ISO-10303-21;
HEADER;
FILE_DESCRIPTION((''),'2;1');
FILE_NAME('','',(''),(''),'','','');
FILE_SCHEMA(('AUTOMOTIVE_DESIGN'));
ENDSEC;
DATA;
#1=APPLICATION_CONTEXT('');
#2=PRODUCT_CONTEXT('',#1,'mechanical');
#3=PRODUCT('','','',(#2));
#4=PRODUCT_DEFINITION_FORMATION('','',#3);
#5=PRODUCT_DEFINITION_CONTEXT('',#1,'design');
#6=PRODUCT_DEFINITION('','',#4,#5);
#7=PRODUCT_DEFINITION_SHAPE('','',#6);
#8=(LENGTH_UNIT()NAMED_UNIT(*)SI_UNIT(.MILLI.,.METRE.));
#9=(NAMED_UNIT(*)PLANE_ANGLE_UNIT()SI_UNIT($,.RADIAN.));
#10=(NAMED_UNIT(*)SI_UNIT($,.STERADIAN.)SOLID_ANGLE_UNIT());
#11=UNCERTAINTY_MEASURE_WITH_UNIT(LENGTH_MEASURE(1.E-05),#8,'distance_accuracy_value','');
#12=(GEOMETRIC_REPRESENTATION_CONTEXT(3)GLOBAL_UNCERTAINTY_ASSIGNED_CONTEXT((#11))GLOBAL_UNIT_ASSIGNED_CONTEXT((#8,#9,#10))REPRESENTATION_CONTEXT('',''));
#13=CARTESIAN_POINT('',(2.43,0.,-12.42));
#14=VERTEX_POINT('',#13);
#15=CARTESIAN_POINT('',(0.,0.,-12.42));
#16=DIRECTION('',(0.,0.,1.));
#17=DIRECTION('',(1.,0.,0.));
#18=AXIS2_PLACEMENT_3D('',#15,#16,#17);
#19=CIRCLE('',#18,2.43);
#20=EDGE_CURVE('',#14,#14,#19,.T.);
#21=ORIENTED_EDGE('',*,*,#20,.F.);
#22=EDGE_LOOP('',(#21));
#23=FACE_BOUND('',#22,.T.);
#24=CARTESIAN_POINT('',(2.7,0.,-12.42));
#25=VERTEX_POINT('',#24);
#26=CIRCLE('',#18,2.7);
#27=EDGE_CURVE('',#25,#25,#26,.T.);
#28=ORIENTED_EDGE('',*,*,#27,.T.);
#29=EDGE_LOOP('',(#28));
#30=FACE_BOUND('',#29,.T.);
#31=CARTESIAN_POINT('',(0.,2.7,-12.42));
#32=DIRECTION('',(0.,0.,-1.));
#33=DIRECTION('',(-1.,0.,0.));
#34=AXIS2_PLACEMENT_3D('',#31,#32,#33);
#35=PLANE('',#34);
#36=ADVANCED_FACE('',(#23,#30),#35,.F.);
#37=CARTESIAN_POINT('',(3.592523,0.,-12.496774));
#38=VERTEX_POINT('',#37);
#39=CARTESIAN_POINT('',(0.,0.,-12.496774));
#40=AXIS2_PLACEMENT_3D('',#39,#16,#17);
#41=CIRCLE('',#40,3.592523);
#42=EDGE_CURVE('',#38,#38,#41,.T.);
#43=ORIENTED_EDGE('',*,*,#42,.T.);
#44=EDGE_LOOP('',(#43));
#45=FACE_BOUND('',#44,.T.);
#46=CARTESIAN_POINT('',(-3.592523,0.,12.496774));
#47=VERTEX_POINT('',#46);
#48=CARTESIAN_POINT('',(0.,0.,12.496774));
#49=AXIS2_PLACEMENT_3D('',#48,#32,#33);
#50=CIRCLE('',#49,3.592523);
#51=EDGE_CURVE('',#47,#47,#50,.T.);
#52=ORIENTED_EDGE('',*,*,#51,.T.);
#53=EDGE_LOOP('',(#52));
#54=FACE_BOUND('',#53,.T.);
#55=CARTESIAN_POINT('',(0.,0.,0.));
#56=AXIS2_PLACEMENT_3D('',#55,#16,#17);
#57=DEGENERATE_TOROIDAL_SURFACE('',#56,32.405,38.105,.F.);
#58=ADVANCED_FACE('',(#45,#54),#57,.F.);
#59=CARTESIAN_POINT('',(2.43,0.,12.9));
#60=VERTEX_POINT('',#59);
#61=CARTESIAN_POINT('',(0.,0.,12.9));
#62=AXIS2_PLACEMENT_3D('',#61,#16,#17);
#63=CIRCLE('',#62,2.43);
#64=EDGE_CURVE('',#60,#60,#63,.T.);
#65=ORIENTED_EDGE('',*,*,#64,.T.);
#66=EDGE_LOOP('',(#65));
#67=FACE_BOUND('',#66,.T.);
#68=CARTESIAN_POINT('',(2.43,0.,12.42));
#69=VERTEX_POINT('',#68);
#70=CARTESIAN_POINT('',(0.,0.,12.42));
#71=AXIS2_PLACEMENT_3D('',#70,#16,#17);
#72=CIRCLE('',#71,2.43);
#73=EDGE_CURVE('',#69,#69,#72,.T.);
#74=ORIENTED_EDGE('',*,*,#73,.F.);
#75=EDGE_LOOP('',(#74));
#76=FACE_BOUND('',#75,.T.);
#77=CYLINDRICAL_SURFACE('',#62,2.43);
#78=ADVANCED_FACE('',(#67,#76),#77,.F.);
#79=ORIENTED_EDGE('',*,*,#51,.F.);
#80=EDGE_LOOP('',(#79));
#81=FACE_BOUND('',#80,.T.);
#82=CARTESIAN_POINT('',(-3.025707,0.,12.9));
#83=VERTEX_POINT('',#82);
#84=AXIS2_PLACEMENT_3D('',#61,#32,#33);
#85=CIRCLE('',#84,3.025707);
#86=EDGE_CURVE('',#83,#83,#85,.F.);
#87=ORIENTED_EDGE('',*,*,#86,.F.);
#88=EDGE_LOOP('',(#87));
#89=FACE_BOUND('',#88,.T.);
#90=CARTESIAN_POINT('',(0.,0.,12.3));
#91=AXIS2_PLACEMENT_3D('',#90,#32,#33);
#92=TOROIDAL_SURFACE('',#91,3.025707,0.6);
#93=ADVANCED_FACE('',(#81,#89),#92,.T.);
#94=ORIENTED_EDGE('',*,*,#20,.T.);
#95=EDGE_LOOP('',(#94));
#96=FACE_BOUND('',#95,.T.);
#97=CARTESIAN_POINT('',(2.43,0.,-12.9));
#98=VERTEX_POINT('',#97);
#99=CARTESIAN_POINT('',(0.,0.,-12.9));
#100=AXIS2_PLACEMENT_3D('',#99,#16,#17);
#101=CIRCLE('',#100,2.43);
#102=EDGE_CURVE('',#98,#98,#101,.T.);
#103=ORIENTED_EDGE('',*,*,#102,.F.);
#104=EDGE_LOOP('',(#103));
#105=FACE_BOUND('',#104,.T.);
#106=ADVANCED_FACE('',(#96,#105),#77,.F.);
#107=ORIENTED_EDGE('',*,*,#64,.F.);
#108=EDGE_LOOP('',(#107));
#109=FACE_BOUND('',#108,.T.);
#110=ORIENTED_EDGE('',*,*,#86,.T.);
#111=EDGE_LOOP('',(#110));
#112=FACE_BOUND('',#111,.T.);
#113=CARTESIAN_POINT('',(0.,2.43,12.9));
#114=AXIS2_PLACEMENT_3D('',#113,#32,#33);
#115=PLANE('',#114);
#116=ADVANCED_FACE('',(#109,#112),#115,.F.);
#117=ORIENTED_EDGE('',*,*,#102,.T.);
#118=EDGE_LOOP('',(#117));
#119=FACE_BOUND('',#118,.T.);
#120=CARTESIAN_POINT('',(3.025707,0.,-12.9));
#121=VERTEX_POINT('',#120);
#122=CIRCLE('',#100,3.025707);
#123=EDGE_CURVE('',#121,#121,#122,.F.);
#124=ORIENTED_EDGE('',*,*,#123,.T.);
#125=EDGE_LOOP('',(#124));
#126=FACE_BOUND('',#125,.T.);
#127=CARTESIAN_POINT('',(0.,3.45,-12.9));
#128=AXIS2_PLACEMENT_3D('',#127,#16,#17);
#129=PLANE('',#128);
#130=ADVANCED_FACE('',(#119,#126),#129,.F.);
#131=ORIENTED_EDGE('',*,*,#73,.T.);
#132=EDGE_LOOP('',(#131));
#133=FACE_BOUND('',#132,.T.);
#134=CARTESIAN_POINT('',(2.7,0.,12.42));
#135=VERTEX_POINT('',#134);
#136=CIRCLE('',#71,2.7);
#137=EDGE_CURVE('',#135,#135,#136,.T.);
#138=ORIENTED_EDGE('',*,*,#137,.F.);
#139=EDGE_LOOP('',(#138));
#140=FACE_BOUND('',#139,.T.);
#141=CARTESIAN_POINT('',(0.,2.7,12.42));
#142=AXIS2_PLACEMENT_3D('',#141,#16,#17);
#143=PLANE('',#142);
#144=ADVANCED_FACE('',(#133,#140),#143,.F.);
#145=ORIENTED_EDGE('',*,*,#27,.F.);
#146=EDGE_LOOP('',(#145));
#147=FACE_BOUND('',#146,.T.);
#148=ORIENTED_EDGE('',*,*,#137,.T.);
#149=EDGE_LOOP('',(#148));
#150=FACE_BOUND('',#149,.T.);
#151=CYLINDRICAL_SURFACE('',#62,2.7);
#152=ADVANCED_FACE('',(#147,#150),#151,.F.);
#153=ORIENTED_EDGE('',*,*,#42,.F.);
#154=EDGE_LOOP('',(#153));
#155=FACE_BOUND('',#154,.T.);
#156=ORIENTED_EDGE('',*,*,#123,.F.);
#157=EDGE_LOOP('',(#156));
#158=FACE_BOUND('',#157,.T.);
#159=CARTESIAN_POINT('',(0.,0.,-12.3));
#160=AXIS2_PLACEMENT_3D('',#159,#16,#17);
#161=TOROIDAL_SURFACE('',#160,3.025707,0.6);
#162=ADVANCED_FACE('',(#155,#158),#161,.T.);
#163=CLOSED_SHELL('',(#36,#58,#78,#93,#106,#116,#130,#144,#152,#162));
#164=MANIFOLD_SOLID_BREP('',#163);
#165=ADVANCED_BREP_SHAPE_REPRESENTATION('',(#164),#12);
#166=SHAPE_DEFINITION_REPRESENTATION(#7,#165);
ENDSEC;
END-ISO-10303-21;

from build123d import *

# Parameters (mm, degrees)
FILLET1_R    = 1
SCALE1_SCALE = 0.6


with BuildPart() as part:
    # Sketch1 → Revolve1 (revolve)
    with BuildSketch(Plane(origin=(0, 0, 0), x_dir=(0, 0, -1), z_dir=(1, 0, 0))):
        with BuildLine():
            Line((21.5, 5.75), (21.5, 4.05))
            Line((21.5, 4.05), (20.7, 4.05))
            Line((20.7, 4.05), (20.7, 4.5))
            Line((20.7, 4.5), (-20.7, 4.5))
            Line((-20.7, 4.5), (-20.7, 4.05))
            Line((-20.7, 4.05), (-21.5, 4.05))
            Line((-21.5, 4.05), (-21.5, 5.75))
            ThreePointArc((-21.5, 5.75), (0, 9.5), (21.5, 5.75))
        make_face()
    revolve(axis=Axis((0, 0, 21.5), (0, 0, -1)))

    # Fillet1
    fillet1_edges = [part.edges().sort_by_distance(p)[0] for p in [
        (0, -5.75, -21.5),
        (0, -5.75, 21.5),
    ]]
    fillet(fillet1_edges, radius=FILLET1_R)


with BuildPart() as part_1:
    # Scale1: scaled about (0, -1.9e-08, 1.86e-07)
    add(part.part.scale(SCALE1_SCALE).moved(Location((0, -8e-09, 7.4e-08))))


solid = part_1.part
